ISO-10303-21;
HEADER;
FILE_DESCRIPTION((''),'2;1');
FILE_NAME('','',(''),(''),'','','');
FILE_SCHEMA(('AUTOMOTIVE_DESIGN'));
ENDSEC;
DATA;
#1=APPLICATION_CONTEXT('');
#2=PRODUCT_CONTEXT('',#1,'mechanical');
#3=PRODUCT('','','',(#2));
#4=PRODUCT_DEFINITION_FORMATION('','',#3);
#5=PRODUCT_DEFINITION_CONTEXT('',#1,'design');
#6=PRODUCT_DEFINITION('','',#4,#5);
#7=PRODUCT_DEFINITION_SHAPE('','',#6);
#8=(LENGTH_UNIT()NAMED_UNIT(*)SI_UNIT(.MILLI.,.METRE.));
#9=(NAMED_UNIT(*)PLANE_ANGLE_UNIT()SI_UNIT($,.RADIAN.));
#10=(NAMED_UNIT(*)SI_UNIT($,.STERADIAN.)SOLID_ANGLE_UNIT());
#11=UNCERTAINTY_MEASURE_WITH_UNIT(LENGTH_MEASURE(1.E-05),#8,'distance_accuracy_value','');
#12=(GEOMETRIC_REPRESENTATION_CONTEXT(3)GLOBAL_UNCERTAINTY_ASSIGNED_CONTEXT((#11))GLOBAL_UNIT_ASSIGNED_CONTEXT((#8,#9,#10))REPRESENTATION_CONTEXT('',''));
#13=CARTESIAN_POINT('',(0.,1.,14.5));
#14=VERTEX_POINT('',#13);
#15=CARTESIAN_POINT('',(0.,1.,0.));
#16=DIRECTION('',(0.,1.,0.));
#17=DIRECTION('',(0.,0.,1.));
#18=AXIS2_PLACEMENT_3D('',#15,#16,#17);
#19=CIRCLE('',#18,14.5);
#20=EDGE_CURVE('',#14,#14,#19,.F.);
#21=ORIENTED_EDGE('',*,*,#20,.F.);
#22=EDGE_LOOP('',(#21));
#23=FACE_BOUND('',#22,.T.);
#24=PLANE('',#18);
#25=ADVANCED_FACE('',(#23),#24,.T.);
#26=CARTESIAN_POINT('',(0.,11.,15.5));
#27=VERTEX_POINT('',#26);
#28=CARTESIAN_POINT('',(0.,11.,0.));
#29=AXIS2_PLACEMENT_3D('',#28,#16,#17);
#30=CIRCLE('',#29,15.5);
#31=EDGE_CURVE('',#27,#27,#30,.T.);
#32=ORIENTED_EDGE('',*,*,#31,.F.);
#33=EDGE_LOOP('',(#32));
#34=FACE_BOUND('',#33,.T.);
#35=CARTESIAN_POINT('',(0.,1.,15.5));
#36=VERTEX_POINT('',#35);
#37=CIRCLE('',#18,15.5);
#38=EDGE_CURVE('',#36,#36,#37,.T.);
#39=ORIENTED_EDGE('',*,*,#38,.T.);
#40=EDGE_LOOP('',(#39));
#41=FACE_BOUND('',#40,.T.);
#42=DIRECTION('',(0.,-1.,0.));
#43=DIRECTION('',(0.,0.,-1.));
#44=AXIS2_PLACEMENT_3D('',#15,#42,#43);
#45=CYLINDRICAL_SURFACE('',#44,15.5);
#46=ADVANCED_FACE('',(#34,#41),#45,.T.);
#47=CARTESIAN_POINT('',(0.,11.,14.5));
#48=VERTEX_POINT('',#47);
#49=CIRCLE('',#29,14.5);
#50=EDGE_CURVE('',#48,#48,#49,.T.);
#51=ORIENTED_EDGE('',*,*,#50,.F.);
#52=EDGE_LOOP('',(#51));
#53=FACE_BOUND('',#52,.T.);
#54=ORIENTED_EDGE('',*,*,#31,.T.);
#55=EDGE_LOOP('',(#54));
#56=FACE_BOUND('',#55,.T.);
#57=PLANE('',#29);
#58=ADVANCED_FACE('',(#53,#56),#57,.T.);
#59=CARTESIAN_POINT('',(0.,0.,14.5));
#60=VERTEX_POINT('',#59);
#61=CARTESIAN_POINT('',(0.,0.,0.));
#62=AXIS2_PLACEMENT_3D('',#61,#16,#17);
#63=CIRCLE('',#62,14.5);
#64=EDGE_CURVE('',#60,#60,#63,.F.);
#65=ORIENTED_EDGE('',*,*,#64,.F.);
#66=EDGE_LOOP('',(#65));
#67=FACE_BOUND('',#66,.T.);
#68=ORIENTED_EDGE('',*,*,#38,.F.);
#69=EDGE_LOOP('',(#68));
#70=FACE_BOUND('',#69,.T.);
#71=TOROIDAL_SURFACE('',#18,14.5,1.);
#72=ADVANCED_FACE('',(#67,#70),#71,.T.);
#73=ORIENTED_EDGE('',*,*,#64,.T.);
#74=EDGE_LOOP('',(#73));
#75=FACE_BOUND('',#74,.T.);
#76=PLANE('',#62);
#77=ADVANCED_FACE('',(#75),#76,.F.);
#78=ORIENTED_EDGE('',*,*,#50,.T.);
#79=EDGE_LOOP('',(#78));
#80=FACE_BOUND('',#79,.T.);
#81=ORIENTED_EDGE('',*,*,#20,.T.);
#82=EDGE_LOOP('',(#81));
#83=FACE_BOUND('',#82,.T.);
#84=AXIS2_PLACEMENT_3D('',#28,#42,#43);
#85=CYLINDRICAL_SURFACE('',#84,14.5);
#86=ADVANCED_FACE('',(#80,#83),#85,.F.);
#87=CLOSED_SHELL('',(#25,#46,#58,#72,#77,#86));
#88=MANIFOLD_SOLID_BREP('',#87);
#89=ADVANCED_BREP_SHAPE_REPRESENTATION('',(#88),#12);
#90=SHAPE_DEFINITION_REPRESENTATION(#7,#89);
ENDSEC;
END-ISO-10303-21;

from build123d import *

# Parameters (mm, degrees)
SKETCH1_R           = 15.5
BOSS_EXTRUDE1_DEPTH = 1
SKETCH3_R           = 15.5
SKETCH3_R_2         = 14.5
BOSS_EXTRUDE2_DEPTH = 10
FILLET1_R           = 1


with BuildPart() as part:
    # Sketch1 → Boss-Extrude1 (new body)
    with BuildSketch(Plane(origin=(0, 0, 0), x_dir=(1, 0, 0), z_dir=(0, 1, 0))):
        with Locations(Location((0, 0, 0), (0, 0, 270))):
            Circle(SKETCH1_R)
    extrude(amount=BOSS_EXTRUDE1_DEPTH)

    # Sketch3 → Boss-Extrude2 (add)
    with BuildSketch(Plane(origin=(0, 1, 0), x_dir=(1, 0, 0), z_dir=(0, 1, 0))):
        with Locations(Location((0, 0, 0), (0, 0, 270))):
            Circle(SKETCH3_R)
        with Locations(Location((0, 0, 0), (0, 0, 270))):
            Circle(SKETCH3_R_2, mode=Mode.SUBTRACT)
    extrude(amount=BOSS_EXTRUDE2_DEPTH)

    # Fillet1
    fillet1_edges = [part.edges().sort_by_distance(p)[0] for p in [
        (0, 0, -15.5),
    ]]
    fillet(fillet1_edges, radius=FILLET1_R)


solid = part.part
